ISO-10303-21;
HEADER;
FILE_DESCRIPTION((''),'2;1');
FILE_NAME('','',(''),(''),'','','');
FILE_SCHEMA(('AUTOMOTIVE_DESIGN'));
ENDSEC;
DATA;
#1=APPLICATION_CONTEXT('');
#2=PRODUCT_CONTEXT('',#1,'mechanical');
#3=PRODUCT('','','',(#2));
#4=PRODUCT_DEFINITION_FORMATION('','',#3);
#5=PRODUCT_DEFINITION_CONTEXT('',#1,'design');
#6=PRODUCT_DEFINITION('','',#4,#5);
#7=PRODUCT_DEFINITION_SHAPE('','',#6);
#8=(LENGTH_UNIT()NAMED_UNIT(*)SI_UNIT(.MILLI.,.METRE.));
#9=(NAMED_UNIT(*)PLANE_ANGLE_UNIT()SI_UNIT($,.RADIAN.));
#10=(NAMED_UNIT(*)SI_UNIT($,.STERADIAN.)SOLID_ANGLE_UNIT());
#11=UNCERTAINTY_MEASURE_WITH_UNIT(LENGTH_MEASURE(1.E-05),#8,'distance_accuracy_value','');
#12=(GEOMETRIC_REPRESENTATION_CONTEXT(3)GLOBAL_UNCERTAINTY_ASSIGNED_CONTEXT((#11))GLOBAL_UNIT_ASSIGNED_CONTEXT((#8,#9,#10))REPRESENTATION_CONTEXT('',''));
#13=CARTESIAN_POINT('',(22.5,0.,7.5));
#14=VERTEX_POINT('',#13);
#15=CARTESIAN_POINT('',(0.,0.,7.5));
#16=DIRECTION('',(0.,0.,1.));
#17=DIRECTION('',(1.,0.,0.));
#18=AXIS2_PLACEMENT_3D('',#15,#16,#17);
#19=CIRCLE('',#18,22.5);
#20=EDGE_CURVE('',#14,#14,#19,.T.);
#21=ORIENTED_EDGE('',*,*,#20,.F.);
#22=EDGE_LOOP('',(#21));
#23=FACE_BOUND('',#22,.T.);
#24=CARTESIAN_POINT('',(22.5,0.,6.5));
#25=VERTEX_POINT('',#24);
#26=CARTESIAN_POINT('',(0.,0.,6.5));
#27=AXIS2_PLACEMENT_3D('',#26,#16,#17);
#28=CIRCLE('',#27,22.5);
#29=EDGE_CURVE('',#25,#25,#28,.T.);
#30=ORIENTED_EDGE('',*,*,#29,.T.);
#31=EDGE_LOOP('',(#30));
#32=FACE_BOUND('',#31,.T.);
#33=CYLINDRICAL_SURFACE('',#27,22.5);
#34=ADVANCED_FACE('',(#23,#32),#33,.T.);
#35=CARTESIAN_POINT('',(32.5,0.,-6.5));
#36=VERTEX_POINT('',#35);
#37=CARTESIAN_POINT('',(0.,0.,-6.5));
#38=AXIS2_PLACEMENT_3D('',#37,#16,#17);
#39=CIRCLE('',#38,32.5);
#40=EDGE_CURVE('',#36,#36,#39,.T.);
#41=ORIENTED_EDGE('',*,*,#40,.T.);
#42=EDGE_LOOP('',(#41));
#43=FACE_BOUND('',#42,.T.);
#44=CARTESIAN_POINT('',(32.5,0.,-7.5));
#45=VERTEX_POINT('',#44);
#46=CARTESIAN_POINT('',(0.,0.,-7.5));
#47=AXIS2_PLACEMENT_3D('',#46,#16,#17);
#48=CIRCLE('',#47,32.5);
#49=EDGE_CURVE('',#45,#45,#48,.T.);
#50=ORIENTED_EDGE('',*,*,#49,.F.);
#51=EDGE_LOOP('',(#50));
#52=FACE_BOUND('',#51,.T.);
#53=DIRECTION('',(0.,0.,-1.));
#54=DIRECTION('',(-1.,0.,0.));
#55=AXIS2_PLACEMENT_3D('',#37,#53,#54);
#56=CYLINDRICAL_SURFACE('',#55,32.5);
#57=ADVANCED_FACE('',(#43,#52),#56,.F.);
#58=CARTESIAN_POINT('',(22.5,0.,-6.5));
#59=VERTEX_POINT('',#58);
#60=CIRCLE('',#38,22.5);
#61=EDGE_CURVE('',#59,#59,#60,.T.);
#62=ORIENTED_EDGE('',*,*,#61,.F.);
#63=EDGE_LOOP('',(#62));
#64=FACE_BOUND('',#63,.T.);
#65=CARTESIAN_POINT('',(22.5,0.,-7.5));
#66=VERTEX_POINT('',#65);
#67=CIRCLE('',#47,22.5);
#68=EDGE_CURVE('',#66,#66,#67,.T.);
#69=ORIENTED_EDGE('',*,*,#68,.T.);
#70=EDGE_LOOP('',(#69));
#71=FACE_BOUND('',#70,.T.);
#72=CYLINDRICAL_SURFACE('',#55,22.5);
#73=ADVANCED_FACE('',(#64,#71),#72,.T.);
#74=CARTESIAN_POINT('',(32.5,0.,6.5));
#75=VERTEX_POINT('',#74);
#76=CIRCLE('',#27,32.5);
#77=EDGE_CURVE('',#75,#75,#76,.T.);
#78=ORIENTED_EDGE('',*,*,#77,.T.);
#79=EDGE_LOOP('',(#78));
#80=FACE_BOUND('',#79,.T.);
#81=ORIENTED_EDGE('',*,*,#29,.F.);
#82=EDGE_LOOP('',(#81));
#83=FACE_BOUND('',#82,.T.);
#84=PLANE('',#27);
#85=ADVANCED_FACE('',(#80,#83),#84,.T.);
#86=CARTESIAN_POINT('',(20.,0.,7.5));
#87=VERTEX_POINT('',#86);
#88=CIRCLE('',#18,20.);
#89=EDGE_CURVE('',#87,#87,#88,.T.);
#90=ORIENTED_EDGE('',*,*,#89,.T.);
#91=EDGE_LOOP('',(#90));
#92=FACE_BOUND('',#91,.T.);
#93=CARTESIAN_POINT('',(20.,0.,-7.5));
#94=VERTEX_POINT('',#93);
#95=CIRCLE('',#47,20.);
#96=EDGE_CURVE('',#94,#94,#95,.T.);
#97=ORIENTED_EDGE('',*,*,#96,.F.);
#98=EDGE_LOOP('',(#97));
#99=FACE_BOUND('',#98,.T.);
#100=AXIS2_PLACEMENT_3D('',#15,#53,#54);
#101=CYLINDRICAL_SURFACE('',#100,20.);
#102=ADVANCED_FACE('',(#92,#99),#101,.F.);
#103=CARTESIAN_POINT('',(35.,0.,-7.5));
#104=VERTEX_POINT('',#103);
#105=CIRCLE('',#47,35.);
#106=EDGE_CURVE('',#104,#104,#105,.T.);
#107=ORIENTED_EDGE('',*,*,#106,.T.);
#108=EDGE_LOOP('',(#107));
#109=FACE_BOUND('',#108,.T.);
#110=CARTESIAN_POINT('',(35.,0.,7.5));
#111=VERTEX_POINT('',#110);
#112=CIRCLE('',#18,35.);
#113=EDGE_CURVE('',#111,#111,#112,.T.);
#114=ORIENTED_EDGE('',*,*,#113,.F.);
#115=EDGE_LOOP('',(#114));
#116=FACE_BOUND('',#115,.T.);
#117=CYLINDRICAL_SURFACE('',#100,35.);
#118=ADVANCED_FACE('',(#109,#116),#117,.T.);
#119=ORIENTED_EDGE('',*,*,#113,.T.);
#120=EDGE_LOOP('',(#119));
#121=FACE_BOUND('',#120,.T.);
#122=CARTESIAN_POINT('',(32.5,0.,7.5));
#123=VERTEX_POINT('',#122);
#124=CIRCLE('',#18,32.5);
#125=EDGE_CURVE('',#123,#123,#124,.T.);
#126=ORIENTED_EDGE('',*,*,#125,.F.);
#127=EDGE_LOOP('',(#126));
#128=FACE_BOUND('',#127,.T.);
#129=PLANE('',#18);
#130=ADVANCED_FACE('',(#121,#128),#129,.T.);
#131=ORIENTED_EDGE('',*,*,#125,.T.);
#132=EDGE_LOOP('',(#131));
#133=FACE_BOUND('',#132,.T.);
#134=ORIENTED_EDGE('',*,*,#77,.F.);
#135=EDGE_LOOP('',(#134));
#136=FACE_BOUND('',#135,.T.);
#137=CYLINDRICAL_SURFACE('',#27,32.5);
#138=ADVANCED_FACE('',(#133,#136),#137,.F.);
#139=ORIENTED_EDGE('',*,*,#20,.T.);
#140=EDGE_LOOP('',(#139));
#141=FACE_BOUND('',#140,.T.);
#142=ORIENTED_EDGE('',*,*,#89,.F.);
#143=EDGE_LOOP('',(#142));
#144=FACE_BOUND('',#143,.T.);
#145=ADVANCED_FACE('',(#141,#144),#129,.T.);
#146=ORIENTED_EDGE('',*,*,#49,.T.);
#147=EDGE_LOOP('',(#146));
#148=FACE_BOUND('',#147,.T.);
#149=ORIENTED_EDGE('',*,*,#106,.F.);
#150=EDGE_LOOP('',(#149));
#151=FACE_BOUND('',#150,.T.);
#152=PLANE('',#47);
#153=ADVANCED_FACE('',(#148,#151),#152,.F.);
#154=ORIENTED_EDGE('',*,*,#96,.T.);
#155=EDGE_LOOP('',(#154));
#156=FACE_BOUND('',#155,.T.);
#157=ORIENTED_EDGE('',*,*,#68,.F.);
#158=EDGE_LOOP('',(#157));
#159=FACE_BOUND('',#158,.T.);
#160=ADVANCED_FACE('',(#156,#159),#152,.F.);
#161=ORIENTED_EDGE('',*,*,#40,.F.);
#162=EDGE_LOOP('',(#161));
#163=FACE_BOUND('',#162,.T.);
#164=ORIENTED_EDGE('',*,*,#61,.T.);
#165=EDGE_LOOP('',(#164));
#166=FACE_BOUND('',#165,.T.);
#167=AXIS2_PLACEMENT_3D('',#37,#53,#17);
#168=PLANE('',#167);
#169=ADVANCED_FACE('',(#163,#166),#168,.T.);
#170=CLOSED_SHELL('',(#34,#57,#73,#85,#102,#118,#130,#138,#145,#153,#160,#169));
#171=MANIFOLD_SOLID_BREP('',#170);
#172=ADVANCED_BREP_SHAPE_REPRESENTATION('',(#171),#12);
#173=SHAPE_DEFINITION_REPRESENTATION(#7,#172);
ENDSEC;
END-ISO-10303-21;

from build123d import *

# Parameters (mm, degrees)
SKETCH1_R           = 35
SKETCH1_R_2         = 20
BOSS_EXTRUDE1_DEPTH = 7.5
SKETCH2_R           = 32.5
SKETCH2_R_2         = 22.5
CUT_EXTRUDE1_DEPTH  = 1


with BuildPart() as part:
    # Sketch1 → Boss-Extrude1 (new body, symmetric)
    with BuildSketch(Plane.XY):
        Circle(SKETCH1_R)
        Circle(SKETCH1_R_2, mode=Mode.SUBTRACT)
    extrude(amount=BOSS_EXTRUDE1_DEPTH, both=True)

    # Sketch2 → Cut-Extrude1 (cut)
    with BuildSketch(Plane.XY.offset(7.5)):
        Circle(SKETCH2_R)
        Circle(SKETCH2_R_2, mode=Mode.SUBTRACT)
    cut_extrude1 = extrude(amount=-CUT_EXTRUDE1_DEPTH, mode=Mode.SUBTRACT)

    # Mirror1: Cut-Extrude1 across plane
    add(cut_extrude1.mirror(Plane.XY), mode=Mode.SUBTRACT)


solid = part.part
